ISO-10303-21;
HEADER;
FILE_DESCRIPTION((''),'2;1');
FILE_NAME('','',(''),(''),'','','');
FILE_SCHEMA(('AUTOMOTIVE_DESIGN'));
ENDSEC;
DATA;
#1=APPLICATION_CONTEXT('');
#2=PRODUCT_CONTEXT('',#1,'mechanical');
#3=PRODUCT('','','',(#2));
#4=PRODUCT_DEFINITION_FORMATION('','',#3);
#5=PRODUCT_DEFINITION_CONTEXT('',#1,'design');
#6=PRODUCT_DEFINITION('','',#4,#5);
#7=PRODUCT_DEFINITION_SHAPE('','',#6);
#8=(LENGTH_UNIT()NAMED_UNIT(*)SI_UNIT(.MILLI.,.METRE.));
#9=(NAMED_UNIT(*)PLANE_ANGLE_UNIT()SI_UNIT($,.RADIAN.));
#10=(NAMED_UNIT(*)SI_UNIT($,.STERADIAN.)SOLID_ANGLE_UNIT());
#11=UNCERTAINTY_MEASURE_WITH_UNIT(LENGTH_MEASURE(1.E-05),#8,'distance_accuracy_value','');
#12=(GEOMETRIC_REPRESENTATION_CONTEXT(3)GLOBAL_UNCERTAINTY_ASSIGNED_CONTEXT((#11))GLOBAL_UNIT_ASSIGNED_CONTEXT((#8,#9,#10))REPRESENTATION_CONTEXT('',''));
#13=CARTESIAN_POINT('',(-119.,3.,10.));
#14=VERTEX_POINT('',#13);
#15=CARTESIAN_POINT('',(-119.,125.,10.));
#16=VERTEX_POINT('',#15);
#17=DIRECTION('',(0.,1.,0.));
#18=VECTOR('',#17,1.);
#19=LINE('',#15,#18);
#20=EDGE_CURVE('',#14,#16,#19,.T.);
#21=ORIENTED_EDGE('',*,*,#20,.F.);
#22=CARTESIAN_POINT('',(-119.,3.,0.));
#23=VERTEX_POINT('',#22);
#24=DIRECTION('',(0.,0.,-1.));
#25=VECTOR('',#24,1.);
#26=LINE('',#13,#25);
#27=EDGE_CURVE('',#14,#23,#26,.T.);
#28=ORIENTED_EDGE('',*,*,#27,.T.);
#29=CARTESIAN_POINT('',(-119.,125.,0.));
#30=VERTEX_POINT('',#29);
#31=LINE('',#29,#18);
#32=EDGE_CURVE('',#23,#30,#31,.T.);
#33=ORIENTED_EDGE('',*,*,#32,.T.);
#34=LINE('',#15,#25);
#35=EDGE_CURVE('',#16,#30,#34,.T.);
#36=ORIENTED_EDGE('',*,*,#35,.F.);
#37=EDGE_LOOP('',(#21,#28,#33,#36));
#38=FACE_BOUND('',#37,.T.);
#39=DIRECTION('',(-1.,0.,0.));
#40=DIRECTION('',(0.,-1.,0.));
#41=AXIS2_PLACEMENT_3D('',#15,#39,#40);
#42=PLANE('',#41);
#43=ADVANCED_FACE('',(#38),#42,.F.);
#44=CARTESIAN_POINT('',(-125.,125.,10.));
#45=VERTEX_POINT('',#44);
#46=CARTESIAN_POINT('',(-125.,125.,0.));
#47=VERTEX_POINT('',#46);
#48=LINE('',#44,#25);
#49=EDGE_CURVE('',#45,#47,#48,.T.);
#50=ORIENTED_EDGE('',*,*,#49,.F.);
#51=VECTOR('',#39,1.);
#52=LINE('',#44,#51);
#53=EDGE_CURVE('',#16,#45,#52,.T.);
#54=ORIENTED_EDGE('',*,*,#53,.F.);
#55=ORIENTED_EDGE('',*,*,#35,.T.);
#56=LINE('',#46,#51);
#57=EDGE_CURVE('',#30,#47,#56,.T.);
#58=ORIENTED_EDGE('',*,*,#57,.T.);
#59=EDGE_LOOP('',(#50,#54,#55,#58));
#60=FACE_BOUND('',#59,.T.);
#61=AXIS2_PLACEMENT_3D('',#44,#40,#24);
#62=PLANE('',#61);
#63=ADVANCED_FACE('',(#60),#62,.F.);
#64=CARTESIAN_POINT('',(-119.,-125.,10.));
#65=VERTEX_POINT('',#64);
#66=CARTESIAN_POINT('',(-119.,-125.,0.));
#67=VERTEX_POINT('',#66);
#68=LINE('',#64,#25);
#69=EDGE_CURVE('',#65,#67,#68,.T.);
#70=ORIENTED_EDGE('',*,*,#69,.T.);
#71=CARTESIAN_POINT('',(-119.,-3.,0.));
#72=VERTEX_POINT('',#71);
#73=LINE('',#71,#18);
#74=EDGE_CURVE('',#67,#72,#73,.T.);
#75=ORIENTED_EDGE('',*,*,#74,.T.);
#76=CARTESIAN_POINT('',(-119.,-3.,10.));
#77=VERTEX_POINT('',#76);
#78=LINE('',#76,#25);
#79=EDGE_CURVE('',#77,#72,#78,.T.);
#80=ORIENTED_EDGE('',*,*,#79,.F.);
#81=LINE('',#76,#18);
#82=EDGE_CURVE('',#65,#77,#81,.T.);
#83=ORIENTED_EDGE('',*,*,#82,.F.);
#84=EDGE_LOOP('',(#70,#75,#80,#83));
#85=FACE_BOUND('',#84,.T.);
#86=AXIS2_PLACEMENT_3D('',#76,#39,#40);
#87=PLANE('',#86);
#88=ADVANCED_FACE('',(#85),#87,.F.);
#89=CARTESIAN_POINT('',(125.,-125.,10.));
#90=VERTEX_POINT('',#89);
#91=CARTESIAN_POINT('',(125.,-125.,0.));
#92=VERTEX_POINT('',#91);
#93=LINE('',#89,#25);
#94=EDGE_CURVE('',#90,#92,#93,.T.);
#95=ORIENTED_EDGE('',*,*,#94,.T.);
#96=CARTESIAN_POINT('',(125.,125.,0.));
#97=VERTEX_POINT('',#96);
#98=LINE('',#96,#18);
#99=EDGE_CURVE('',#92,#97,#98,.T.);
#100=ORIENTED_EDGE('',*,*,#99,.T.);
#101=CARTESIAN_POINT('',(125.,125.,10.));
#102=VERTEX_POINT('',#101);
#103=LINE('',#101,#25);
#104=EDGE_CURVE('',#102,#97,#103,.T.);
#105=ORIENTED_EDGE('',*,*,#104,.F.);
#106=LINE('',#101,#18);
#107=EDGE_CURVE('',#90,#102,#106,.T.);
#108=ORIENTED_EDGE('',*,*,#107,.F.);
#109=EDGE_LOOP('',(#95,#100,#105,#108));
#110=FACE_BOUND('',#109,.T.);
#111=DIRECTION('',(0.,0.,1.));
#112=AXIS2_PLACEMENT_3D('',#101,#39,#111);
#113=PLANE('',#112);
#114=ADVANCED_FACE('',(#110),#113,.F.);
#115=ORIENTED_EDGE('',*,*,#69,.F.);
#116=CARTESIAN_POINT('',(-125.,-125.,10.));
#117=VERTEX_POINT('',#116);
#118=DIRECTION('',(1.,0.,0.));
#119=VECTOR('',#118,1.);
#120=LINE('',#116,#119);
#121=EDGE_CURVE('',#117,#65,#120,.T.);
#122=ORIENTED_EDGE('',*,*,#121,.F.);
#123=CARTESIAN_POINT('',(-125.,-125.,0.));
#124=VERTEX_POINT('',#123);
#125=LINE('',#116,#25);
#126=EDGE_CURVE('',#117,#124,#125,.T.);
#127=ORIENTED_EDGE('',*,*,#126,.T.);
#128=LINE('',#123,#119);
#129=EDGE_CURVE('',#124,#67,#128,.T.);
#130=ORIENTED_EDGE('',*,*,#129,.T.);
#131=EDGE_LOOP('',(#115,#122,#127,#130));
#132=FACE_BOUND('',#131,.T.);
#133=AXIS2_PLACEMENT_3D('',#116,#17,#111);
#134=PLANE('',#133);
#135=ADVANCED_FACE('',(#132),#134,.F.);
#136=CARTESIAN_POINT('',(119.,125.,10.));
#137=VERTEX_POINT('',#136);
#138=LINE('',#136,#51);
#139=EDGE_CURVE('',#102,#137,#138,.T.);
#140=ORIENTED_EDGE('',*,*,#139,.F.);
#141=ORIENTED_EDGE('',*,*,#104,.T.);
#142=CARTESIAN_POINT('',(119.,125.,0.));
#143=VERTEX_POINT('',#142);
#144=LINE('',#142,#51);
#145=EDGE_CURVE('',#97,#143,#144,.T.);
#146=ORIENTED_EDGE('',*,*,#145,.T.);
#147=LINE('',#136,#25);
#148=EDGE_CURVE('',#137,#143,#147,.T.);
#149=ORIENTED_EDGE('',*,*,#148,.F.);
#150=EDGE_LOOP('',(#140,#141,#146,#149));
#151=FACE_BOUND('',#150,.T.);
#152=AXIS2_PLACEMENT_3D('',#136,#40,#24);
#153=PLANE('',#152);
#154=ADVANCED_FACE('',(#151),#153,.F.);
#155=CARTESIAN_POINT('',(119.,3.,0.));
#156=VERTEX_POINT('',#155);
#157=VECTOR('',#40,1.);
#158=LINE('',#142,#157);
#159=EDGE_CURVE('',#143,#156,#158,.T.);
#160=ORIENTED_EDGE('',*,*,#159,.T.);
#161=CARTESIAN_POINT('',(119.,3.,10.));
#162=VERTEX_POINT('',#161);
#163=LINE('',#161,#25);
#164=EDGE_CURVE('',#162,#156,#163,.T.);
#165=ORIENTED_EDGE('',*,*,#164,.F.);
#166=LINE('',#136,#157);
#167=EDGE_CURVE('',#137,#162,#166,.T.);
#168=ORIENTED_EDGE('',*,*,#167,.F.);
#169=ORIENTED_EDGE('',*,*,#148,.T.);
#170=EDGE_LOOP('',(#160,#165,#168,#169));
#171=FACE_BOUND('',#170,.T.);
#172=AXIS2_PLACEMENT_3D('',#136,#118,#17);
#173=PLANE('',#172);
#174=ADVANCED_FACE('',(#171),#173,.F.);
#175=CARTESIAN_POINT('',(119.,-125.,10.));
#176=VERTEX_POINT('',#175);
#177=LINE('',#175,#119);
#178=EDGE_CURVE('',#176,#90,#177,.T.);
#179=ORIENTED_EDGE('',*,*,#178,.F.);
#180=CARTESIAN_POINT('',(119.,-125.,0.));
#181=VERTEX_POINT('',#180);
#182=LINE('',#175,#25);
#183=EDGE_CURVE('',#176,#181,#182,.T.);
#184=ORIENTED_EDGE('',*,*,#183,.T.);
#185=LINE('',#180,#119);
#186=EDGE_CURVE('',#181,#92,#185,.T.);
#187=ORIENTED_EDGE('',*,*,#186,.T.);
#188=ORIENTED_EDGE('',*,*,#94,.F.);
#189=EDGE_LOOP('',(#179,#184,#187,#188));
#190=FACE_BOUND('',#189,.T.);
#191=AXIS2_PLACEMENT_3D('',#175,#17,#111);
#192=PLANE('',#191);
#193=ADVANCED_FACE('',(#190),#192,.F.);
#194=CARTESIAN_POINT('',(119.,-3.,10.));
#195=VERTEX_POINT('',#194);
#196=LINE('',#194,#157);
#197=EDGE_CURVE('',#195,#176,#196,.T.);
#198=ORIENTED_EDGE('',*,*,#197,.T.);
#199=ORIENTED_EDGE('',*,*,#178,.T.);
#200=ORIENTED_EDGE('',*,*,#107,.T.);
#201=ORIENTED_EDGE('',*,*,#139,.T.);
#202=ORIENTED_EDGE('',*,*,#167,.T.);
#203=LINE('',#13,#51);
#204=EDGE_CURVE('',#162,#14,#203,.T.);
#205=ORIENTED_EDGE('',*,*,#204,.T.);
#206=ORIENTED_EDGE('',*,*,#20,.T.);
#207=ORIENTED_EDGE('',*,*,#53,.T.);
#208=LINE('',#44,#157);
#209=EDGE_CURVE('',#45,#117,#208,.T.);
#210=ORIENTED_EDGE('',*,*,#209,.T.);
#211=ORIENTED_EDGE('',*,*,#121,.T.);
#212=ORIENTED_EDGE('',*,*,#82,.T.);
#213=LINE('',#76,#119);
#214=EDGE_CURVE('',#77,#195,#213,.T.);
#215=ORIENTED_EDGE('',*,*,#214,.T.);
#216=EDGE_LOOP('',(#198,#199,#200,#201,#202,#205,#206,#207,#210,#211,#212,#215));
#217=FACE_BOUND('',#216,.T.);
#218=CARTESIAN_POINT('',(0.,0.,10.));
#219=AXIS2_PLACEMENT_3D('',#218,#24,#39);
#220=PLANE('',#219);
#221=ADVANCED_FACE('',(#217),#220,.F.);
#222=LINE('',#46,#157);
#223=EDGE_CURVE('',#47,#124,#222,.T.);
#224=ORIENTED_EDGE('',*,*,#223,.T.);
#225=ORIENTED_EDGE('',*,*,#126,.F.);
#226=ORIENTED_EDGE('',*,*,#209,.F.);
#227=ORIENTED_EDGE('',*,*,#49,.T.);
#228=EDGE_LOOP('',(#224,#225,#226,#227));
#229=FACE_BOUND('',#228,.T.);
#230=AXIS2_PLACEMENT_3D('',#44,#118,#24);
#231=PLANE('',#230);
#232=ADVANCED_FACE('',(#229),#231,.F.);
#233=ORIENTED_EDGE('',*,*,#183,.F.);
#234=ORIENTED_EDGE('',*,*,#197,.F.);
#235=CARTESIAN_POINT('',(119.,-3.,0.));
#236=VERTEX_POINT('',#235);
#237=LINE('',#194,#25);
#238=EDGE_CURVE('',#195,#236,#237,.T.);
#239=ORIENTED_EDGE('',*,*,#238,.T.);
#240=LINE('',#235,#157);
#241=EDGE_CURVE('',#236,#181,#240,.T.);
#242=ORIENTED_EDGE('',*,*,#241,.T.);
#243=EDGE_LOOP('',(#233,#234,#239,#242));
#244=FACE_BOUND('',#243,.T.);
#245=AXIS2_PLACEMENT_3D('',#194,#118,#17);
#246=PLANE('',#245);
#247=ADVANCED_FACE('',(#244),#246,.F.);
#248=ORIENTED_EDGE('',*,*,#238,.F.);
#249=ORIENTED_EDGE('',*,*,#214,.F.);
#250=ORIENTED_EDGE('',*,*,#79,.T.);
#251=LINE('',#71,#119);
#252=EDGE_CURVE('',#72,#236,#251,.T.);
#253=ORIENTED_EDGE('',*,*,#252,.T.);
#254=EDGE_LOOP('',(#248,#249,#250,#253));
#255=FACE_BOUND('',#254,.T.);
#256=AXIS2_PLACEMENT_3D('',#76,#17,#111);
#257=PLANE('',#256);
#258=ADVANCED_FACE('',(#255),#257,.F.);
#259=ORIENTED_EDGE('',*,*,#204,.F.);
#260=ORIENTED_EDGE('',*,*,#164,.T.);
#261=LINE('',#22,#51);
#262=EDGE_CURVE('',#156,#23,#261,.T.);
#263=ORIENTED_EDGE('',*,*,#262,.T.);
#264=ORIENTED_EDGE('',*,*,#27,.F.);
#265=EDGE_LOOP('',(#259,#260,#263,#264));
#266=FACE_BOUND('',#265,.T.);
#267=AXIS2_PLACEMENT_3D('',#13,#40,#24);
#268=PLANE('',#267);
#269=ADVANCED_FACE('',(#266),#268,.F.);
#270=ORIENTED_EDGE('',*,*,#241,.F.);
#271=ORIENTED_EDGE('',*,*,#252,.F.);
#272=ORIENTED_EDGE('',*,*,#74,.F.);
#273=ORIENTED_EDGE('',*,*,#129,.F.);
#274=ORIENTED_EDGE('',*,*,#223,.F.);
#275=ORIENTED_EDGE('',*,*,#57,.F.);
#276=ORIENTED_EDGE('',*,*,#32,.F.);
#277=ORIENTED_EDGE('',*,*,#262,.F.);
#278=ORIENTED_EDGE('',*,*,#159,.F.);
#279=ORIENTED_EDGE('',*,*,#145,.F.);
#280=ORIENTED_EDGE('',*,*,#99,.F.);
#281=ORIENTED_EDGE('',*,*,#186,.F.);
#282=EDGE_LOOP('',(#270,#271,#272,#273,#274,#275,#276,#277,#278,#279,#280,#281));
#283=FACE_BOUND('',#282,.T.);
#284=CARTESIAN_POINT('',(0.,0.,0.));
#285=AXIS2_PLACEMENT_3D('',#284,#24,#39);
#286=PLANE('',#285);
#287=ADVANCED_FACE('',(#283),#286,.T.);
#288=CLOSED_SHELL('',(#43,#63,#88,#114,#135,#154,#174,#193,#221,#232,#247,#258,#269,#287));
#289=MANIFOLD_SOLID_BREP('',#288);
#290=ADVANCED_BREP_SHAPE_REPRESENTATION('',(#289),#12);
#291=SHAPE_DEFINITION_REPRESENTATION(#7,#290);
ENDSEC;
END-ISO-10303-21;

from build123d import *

# Parameters (mm, degrees)
RESSALTO_EXTRUS_O1_DEPTH = 10


with BuildPart() as part:
    # Esboço1 → Ressalto-extrusão1 (new body)
    with BuildSketch(Plane.XY):
        Polygon((-125, 125), (-125, -125), (-119, -125), (-119, -3), (119, -3), (119, -125), (125, -125), (125, 125), (119, 125), (119, 3), (-119, 3), (-119, 125), align=None)
    extrude(amount=RESSALTO_EXTRUS_O1_DEPTH)


solid = part.part
